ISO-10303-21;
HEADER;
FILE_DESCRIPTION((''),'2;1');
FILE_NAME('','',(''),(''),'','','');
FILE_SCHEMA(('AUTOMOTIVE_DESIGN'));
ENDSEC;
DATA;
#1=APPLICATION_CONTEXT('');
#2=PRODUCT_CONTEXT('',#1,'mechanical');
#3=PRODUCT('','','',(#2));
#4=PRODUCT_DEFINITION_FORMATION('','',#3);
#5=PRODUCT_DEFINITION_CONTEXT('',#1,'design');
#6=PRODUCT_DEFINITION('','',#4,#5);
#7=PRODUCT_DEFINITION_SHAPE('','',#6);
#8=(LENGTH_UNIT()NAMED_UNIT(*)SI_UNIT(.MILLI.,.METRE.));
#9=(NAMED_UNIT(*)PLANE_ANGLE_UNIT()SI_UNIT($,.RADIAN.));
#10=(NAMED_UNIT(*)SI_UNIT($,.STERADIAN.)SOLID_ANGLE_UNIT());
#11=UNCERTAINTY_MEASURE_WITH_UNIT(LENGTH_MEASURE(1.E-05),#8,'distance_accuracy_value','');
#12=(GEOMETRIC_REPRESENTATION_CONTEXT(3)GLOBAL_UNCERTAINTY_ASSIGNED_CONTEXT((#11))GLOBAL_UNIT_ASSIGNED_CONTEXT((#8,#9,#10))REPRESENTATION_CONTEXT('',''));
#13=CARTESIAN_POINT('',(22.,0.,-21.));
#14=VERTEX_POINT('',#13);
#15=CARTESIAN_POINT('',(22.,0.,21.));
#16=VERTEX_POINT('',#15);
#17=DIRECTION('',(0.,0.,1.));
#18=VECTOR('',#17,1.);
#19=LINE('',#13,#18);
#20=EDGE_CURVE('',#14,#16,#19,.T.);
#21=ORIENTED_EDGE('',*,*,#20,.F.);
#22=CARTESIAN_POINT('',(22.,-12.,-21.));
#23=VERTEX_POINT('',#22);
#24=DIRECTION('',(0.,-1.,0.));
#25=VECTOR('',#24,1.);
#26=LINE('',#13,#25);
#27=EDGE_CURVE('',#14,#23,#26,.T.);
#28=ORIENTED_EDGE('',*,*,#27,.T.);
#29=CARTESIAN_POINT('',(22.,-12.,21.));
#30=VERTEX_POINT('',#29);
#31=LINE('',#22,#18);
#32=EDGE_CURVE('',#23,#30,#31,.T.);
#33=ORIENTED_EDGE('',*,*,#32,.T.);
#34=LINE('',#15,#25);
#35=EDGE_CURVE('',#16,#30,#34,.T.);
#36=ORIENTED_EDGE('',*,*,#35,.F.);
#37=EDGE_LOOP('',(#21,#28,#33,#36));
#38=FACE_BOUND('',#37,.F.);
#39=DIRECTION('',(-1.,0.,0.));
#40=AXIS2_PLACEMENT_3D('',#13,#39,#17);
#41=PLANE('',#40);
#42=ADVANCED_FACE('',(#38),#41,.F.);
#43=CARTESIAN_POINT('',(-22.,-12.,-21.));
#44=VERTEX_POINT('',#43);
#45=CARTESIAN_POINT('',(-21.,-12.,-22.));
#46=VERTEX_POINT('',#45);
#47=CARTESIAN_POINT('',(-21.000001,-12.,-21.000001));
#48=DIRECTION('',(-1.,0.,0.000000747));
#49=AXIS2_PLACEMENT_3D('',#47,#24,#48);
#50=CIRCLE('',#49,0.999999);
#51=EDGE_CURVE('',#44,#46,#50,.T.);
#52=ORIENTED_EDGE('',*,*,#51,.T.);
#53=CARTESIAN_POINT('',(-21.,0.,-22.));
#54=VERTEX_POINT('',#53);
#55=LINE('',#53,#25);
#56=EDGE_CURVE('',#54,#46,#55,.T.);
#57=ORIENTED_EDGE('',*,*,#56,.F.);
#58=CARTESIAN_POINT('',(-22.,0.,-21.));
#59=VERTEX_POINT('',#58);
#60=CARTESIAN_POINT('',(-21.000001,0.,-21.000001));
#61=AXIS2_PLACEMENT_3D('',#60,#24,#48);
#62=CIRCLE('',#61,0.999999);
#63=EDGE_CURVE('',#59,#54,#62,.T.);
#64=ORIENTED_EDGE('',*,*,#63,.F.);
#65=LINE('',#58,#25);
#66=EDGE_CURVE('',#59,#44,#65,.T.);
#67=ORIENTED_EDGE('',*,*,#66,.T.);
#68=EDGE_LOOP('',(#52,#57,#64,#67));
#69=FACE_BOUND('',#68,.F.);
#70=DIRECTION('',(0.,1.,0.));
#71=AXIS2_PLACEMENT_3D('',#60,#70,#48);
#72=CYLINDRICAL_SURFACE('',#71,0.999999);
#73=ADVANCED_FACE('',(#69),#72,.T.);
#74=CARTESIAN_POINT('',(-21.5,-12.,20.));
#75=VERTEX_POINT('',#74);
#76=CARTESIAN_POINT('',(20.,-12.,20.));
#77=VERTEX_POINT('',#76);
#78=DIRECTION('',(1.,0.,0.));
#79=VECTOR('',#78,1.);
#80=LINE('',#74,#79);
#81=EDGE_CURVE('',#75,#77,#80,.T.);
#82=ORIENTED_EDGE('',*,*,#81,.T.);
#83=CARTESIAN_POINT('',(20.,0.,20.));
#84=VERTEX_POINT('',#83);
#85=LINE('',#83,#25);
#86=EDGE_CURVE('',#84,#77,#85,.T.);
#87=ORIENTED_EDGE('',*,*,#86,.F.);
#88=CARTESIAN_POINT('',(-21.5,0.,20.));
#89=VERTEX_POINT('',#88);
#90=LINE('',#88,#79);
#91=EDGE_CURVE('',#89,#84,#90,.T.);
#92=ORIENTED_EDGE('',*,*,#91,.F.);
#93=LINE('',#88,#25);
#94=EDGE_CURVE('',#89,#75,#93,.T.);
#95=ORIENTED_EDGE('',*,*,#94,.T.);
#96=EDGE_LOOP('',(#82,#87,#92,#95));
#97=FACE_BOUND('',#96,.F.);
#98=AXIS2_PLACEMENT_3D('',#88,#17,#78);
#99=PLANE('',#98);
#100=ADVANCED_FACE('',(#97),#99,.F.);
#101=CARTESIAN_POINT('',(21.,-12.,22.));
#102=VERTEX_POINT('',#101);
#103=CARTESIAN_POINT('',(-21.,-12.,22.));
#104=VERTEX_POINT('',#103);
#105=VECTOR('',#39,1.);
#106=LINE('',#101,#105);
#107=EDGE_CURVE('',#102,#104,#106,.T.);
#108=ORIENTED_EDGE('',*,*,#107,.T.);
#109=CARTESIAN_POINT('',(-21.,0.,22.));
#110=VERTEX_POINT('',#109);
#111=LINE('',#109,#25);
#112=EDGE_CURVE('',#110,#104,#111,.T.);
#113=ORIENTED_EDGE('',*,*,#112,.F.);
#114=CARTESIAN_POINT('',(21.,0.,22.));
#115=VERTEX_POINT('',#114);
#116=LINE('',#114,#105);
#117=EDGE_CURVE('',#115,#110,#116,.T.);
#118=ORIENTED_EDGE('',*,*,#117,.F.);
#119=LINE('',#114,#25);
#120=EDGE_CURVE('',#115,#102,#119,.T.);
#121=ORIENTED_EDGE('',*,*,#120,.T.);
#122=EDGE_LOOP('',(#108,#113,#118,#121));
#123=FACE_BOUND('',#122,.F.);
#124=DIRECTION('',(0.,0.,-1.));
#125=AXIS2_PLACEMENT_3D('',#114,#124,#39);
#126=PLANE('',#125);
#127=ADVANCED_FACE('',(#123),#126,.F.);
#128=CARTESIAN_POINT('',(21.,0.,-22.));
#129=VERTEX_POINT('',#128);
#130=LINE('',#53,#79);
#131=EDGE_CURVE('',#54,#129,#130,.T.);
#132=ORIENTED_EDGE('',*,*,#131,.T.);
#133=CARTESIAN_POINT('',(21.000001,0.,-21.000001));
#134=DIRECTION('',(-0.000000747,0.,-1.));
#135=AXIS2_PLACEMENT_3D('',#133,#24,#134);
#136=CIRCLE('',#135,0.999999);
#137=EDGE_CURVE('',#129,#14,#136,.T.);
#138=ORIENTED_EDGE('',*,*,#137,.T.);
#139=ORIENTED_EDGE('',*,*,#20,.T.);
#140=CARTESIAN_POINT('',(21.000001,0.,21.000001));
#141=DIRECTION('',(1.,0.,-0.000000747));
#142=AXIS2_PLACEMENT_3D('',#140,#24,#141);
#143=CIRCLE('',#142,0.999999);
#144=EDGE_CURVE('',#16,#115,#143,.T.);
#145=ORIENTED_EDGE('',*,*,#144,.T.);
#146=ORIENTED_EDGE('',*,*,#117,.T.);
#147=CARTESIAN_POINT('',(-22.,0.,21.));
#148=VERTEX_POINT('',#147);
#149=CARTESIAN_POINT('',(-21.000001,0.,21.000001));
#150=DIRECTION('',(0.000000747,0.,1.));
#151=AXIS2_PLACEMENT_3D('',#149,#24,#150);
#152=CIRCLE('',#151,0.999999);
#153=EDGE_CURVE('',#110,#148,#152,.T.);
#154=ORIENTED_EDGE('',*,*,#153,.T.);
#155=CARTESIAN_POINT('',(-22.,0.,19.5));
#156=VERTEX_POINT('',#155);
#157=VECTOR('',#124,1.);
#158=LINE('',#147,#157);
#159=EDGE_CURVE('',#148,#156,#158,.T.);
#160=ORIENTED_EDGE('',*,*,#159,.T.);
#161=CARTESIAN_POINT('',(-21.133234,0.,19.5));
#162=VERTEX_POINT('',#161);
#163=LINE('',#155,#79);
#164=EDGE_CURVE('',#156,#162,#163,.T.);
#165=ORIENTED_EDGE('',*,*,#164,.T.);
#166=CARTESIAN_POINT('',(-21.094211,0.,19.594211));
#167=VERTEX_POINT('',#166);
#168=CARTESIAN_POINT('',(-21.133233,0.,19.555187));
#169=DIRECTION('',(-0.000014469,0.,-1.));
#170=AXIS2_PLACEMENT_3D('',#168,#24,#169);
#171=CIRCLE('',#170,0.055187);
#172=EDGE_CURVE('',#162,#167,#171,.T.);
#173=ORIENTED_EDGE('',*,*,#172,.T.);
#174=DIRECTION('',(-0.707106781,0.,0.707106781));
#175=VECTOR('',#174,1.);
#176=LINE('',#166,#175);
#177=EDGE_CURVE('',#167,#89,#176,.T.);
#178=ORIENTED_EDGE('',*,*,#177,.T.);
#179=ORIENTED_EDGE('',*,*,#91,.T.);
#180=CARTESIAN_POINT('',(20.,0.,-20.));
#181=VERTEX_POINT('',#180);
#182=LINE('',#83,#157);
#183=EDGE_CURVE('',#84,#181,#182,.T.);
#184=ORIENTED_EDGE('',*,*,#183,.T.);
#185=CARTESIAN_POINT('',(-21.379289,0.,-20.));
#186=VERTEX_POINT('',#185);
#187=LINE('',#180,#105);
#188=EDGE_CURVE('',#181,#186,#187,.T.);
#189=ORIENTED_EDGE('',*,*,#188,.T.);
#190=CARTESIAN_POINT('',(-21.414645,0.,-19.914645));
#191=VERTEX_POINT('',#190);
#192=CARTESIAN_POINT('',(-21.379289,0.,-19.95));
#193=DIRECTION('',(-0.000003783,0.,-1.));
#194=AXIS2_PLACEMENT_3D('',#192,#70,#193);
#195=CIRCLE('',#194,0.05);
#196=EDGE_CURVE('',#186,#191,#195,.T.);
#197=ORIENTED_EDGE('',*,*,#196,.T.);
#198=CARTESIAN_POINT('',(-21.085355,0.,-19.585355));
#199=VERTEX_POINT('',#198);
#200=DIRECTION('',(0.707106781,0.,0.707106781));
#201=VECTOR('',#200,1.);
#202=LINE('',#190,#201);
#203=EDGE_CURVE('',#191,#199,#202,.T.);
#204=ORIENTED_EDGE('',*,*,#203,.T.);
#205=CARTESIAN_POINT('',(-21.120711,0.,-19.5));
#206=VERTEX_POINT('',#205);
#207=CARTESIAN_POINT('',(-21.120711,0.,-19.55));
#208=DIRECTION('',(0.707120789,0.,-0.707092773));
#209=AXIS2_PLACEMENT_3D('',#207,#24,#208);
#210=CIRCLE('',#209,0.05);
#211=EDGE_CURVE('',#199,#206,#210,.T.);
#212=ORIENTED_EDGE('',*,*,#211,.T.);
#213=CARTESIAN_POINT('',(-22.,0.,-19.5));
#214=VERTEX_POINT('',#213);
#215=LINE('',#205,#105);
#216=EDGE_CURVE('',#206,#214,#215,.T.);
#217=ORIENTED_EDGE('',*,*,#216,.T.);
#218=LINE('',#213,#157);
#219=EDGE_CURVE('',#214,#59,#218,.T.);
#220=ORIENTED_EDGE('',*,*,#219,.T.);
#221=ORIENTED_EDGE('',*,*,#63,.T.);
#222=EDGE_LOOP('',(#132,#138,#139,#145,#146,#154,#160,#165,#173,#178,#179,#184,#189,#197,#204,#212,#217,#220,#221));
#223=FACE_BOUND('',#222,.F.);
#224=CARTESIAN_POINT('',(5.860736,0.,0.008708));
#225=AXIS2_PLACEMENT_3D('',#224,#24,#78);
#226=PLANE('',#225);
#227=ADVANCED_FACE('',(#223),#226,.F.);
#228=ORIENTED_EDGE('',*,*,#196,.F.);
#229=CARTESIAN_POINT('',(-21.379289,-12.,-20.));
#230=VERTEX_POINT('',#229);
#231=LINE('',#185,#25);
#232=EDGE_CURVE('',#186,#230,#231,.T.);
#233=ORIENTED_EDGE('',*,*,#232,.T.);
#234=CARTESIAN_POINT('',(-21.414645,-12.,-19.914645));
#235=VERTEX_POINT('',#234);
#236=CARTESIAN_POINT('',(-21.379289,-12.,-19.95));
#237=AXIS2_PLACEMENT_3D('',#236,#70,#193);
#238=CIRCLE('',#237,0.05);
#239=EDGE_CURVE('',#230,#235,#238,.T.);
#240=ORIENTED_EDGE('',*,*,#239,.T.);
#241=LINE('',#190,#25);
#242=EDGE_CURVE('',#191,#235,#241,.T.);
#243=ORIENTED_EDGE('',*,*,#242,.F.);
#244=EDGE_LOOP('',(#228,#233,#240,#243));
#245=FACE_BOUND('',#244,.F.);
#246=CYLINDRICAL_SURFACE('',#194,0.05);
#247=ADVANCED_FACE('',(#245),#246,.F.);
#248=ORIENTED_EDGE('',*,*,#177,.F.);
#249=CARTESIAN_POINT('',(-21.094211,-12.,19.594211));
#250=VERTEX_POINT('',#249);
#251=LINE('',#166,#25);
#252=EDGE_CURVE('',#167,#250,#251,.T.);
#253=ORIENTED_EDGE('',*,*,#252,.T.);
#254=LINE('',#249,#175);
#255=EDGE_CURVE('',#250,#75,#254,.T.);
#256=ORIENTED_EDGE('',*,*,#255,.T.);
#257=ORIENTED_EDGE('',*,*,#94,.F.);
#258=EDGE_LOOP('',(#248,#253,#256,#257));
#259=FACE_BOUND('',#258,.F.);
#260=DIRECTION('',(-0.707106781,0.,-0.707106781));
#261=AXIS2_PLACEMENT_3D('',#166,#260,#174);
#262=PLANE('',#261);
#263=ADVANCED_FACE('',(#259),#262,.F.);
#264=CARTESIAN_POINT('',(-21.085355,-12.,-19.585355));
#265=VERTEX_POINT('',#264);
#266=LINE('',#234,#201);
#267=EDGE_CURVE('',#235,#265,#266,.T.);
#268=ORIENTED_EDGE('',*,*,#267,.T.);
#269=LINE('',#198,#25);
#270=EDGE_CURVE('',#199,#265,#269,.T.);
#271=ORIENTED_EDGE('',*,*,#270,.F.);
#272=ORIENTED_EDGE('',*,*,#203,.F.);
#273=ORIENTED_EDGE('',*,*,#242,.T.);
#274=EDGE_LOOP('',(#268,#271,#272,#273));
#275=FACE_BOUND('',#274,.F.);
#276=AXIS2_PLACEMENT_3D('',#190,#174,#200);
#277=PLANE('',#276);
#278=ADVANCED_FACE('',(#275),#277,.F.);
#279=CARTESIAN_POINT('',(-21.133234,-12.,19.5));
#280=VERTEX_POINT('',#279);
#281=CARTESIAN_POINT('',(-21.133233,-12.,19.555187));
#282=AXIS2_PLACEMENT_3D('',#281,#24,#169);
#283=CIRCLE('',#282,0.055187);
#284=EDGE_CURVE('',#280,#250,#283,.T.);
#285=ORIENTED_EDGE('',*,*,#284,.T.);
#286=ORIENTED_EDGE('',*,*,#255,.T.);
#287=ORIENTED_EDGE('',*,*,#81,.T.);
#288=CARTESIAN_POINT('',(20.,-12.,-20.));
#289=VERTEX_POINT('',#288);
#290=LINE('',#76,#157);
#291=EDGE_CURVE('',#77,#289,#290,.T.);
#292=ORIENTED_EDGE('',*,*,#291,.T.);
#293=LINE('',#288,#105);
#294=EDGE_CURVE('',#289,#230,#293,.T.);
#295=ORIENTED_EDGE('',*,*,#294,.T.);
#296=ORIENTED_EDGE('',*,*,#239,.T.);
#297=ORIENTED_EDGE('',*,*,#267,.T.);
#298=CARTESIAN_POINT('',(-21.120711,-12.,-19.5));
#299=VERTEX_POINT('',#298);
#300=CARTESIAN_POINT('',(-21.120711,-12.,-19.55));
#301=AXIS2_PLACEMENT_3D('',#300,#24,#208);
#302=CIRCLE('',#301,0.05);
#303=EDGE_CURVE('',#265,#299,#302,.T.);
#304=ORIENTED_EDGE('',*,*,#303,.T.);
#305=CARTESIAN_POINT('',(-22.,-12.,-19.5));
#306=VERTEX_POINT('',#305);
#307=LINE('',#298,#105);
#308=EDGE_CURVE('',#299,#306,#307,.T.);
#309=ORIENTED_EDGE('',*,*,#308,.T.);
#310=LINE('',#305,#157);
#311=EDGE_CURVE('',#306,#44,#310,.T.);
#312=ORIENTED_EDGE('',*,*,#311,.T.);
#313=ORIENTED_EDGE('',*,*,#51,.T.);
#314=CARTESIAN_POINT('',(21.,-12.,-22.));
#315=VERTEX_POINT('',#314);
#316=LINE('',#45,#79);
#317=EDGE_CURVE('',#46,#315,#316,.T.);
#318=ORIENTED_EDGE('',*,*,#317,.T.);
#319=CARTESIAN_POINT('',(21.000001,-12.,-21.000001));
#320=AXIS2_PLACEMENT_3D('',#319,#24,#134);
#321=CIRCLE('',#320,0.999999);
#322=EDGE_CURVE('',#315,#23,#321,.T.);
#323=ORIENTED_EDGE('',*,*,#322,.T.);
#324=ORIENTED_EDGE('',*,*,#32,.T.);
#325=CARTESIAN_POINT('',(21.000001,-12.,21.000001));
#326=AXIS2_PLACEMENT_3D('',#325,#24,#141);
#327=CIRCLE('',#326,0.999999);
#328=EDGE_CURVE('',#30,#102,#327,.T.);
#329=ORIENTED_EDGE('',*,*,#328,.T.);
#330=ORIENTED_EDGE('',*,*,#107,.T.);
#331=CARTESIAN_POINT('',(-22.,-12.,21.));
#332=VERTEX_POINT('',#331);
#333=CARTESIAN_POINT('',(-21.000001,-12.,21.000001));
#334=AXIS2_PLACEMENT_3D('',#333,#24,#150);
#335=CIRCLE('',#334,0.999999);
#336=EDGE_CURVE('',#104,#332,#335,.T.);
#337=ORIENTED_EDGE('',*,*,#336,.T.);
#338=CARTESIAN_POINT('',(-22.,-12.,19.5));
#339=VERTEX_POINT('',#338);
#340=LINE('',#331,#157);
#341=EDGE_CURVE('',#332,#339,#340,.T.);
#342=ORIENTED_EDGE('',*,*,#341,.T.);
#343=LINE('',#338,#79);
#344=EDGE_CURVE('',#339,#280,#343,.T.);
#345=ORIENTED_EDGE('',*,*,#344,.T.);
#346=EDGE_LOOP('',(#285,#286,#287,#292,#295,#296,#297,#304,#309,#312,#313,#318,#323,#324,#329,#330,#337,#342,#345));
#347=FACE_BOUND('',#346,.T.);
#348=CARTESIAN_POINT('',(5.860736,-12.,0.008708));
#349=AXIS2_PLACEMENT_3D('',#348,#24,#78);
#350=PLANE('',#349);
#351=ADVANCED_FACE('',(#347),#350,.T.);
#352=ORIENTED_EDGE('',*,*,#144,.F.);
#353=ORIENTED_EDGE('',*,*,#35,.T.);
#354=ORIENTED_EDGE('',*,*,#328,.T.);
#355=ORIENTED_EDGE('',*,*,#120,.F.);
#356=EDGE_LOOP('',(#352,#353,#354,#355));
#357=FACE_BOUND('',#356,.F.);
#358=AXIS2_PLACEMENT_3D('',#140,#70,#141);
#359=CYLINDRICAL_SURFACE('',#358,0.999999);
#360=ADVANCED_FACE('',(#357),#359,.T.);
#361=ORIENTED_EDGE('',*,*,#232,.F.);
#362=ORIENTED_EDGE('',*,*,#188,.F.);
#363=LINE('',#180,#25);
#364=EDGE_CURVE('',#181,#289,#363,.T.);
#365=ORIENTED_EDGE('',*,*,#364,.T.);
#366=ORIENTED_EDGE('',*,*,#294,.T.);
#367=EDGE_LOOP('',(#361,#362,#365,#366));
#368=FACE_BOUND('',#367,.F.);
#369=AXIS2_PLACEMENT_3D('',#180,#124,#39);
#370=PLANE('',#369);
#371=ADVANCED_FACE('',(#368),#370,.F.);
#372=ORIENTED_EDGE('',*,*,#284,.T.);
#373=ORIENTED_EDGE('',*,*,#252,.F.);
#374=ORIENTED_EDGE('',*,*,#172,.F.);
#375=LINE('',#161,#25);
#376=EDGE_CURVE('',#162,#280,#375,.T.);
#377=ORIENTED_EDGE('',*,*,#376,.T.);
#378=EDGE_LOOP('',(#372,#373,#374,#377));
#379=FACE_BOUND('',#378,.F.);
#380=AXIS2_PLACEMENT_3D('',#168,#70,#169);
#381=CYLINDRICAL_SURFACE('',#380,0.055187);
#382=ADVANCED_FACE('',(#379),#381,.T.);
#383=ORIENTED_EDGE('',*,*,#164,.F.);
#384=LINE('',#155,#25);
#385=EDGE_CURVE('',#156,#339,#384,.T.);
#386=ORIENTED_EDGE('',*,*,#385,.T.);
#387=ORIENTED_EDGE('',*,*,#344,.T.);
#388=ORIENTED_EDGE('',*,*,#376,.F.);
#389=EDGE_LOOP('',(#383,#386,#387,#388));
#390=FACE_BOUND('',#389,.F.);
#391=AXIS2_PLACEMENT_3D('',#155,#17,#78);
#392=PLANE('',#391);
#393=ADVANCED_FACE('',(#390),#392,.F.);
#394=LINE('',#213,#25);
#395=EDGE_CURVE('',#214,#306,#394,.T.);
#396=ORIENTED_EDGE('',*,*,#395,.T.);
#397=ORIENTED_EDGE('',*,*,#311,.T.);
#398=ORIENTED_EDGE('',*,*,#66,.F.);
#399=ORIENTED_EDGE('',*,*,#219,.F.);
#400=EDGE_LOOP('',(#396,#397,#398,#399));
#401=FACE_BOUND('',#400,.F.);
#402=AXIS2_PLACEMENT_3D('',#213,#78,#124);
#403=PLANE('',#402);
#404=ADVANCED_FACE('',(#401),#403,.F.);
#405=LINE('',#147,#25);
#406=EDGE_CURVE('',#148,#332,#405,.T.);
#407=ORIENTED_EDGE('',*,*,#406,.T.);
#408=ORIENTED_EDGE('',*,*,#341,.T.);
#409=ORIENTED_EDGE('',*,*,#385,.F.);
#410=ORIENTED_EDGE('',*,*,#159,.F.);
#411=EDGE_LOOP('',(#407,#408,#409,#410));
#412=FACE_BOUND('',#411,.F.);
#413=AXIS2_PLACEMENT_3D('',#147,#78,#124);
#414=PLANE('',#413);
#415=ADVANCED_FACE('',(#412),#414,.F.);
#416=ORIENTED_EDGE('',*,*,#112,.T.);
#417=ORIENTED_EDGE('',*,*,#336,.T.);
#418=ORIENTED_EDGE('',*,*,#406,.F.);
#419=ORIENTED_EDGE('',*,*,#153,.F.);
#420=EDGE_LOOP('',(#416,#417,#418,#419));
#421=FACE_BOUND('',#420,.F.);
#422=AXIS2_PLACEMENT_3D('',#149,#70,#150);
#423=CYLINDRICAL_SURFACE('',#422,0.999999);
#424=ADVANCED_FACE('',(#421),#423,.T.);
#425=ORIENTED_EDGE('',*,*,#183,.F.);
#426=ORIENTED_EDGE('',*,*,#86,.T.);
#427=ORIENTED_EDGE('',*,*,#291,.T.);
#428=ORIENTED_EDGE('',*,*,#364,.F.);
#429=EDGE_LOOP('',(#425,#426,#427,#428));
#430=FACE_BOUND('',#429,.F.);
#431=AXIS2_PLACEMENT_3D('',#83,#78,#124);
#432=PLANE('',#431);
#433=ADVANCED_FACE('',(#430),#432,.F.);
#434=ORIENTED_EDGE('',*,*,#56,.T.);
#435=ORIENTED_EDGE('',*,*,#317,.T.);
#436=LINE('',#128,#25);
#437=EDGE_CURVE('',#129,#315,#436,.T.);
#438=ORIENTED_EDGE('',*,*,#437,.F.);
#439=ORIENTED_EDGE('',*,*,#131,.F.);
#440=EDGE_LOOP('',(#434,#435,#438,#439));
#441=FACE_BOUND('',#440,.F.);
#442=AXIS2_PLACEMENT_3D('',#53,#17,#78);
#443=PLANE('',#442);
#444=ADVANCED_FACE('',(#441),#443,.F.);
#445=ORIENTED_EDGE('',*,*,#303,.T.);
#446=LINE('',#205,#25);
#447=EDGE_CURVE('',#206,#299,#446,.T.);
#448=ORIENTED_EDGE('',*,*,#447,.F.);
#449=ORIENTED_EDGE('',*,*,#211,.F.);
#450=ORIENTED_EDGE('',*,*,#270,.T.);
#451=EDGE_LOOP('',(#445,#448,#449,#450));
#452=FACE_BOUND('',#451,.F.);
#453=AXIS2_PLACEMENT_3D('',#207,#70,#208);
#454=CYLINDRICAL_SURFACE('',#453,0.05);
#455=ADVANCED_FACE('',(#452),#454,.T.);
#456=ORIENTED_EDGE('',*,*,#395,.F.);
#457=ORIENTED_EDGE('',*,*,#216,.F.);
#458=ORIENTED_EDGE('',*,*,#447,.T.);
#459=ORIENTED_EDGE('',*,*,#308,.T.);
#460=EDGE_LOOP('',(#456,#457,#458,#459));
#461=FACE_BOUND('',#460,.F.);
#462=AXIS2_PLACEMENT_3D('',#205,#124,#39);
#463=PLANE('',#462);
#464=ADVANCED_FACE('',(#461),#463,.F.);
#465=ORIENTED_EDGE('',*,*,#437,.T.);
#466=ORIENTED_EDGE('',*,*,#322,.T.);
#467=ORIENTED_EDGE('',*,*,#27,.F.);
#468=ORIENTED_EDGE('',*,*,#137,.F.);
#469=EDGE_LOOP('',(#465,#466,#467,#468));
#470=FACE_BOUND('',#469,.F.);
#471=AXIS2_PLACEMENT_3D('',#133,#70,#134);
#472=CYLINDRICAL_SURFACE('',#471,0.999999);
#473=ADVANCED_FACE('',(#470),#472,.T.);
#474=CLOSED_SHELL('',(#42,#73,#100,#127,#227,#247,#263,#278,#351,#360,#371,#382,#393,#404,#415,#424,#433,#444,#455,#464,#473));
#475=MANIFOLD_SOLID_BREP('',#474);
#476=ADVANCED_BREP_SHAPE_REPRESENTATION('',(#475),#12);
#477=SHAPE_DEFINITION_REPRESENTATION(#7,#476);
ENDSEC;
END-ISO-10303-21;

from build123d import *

# Parameters (mm, degrees)
F1_DEPTH = 12


with BuildPart() as f1:
    # F0 (on Front) → F1 (new body)
    with BuildSketch(Plane.XZ):
        with BuildLine():
            Line((-20, 20), (20, 20))
            Line((20, 20), (20, -20))
            Line((20, -20), (-20, -20))
            Line((-20, -20), (-21.379289, -20))
            ThreePointArc((-21.379289, -20), (-21.425483, -19.969134), (-21.414645, -19.914645))
            Line((-21.414645, -19.914645), (-21.085355, -19.585355))
            ThreePointArc((-21.085355, -19.585355), (-21.074517, -19.530866), (-21.120711, -19.5))
            Line((-21.120711, -19.5), (-22, -19.5))
            Line((-22, -19.5), (-22, -21))
            ThreePointArc((-22, -21), (-21.707107, -21.707107), (-21, -22))
            Line((-21, -22), (21, -22))
            ThreePointArc((21, -22), (21.707107, -21.707107), (22, -21))
            Line((22, -21), (22, 21))
            ThreePointArc((22, 21), (21.707107, 21.707107), (21, 22))
            Line((21, 22), (-21, 22))
            ThreePointArc((-21, 22), (-21.707107, 21.707107), (-22, 21))
            Line((-22, 21), (-22, 19.5))
            Line((-22, 19.5), (-21.133234, 19.5))
            ThreePointArc((-21.133234, 19.5), (-21.082247, 19.534068), (-21.094211, 19.594211))
            Line((-21.094211, 19.594211), (-21.5, 20))
            Line((-21.5, 20), (-20, 20))
        make_face()
    extrude(amount=F1_DEPTH)


solid = f1.part
